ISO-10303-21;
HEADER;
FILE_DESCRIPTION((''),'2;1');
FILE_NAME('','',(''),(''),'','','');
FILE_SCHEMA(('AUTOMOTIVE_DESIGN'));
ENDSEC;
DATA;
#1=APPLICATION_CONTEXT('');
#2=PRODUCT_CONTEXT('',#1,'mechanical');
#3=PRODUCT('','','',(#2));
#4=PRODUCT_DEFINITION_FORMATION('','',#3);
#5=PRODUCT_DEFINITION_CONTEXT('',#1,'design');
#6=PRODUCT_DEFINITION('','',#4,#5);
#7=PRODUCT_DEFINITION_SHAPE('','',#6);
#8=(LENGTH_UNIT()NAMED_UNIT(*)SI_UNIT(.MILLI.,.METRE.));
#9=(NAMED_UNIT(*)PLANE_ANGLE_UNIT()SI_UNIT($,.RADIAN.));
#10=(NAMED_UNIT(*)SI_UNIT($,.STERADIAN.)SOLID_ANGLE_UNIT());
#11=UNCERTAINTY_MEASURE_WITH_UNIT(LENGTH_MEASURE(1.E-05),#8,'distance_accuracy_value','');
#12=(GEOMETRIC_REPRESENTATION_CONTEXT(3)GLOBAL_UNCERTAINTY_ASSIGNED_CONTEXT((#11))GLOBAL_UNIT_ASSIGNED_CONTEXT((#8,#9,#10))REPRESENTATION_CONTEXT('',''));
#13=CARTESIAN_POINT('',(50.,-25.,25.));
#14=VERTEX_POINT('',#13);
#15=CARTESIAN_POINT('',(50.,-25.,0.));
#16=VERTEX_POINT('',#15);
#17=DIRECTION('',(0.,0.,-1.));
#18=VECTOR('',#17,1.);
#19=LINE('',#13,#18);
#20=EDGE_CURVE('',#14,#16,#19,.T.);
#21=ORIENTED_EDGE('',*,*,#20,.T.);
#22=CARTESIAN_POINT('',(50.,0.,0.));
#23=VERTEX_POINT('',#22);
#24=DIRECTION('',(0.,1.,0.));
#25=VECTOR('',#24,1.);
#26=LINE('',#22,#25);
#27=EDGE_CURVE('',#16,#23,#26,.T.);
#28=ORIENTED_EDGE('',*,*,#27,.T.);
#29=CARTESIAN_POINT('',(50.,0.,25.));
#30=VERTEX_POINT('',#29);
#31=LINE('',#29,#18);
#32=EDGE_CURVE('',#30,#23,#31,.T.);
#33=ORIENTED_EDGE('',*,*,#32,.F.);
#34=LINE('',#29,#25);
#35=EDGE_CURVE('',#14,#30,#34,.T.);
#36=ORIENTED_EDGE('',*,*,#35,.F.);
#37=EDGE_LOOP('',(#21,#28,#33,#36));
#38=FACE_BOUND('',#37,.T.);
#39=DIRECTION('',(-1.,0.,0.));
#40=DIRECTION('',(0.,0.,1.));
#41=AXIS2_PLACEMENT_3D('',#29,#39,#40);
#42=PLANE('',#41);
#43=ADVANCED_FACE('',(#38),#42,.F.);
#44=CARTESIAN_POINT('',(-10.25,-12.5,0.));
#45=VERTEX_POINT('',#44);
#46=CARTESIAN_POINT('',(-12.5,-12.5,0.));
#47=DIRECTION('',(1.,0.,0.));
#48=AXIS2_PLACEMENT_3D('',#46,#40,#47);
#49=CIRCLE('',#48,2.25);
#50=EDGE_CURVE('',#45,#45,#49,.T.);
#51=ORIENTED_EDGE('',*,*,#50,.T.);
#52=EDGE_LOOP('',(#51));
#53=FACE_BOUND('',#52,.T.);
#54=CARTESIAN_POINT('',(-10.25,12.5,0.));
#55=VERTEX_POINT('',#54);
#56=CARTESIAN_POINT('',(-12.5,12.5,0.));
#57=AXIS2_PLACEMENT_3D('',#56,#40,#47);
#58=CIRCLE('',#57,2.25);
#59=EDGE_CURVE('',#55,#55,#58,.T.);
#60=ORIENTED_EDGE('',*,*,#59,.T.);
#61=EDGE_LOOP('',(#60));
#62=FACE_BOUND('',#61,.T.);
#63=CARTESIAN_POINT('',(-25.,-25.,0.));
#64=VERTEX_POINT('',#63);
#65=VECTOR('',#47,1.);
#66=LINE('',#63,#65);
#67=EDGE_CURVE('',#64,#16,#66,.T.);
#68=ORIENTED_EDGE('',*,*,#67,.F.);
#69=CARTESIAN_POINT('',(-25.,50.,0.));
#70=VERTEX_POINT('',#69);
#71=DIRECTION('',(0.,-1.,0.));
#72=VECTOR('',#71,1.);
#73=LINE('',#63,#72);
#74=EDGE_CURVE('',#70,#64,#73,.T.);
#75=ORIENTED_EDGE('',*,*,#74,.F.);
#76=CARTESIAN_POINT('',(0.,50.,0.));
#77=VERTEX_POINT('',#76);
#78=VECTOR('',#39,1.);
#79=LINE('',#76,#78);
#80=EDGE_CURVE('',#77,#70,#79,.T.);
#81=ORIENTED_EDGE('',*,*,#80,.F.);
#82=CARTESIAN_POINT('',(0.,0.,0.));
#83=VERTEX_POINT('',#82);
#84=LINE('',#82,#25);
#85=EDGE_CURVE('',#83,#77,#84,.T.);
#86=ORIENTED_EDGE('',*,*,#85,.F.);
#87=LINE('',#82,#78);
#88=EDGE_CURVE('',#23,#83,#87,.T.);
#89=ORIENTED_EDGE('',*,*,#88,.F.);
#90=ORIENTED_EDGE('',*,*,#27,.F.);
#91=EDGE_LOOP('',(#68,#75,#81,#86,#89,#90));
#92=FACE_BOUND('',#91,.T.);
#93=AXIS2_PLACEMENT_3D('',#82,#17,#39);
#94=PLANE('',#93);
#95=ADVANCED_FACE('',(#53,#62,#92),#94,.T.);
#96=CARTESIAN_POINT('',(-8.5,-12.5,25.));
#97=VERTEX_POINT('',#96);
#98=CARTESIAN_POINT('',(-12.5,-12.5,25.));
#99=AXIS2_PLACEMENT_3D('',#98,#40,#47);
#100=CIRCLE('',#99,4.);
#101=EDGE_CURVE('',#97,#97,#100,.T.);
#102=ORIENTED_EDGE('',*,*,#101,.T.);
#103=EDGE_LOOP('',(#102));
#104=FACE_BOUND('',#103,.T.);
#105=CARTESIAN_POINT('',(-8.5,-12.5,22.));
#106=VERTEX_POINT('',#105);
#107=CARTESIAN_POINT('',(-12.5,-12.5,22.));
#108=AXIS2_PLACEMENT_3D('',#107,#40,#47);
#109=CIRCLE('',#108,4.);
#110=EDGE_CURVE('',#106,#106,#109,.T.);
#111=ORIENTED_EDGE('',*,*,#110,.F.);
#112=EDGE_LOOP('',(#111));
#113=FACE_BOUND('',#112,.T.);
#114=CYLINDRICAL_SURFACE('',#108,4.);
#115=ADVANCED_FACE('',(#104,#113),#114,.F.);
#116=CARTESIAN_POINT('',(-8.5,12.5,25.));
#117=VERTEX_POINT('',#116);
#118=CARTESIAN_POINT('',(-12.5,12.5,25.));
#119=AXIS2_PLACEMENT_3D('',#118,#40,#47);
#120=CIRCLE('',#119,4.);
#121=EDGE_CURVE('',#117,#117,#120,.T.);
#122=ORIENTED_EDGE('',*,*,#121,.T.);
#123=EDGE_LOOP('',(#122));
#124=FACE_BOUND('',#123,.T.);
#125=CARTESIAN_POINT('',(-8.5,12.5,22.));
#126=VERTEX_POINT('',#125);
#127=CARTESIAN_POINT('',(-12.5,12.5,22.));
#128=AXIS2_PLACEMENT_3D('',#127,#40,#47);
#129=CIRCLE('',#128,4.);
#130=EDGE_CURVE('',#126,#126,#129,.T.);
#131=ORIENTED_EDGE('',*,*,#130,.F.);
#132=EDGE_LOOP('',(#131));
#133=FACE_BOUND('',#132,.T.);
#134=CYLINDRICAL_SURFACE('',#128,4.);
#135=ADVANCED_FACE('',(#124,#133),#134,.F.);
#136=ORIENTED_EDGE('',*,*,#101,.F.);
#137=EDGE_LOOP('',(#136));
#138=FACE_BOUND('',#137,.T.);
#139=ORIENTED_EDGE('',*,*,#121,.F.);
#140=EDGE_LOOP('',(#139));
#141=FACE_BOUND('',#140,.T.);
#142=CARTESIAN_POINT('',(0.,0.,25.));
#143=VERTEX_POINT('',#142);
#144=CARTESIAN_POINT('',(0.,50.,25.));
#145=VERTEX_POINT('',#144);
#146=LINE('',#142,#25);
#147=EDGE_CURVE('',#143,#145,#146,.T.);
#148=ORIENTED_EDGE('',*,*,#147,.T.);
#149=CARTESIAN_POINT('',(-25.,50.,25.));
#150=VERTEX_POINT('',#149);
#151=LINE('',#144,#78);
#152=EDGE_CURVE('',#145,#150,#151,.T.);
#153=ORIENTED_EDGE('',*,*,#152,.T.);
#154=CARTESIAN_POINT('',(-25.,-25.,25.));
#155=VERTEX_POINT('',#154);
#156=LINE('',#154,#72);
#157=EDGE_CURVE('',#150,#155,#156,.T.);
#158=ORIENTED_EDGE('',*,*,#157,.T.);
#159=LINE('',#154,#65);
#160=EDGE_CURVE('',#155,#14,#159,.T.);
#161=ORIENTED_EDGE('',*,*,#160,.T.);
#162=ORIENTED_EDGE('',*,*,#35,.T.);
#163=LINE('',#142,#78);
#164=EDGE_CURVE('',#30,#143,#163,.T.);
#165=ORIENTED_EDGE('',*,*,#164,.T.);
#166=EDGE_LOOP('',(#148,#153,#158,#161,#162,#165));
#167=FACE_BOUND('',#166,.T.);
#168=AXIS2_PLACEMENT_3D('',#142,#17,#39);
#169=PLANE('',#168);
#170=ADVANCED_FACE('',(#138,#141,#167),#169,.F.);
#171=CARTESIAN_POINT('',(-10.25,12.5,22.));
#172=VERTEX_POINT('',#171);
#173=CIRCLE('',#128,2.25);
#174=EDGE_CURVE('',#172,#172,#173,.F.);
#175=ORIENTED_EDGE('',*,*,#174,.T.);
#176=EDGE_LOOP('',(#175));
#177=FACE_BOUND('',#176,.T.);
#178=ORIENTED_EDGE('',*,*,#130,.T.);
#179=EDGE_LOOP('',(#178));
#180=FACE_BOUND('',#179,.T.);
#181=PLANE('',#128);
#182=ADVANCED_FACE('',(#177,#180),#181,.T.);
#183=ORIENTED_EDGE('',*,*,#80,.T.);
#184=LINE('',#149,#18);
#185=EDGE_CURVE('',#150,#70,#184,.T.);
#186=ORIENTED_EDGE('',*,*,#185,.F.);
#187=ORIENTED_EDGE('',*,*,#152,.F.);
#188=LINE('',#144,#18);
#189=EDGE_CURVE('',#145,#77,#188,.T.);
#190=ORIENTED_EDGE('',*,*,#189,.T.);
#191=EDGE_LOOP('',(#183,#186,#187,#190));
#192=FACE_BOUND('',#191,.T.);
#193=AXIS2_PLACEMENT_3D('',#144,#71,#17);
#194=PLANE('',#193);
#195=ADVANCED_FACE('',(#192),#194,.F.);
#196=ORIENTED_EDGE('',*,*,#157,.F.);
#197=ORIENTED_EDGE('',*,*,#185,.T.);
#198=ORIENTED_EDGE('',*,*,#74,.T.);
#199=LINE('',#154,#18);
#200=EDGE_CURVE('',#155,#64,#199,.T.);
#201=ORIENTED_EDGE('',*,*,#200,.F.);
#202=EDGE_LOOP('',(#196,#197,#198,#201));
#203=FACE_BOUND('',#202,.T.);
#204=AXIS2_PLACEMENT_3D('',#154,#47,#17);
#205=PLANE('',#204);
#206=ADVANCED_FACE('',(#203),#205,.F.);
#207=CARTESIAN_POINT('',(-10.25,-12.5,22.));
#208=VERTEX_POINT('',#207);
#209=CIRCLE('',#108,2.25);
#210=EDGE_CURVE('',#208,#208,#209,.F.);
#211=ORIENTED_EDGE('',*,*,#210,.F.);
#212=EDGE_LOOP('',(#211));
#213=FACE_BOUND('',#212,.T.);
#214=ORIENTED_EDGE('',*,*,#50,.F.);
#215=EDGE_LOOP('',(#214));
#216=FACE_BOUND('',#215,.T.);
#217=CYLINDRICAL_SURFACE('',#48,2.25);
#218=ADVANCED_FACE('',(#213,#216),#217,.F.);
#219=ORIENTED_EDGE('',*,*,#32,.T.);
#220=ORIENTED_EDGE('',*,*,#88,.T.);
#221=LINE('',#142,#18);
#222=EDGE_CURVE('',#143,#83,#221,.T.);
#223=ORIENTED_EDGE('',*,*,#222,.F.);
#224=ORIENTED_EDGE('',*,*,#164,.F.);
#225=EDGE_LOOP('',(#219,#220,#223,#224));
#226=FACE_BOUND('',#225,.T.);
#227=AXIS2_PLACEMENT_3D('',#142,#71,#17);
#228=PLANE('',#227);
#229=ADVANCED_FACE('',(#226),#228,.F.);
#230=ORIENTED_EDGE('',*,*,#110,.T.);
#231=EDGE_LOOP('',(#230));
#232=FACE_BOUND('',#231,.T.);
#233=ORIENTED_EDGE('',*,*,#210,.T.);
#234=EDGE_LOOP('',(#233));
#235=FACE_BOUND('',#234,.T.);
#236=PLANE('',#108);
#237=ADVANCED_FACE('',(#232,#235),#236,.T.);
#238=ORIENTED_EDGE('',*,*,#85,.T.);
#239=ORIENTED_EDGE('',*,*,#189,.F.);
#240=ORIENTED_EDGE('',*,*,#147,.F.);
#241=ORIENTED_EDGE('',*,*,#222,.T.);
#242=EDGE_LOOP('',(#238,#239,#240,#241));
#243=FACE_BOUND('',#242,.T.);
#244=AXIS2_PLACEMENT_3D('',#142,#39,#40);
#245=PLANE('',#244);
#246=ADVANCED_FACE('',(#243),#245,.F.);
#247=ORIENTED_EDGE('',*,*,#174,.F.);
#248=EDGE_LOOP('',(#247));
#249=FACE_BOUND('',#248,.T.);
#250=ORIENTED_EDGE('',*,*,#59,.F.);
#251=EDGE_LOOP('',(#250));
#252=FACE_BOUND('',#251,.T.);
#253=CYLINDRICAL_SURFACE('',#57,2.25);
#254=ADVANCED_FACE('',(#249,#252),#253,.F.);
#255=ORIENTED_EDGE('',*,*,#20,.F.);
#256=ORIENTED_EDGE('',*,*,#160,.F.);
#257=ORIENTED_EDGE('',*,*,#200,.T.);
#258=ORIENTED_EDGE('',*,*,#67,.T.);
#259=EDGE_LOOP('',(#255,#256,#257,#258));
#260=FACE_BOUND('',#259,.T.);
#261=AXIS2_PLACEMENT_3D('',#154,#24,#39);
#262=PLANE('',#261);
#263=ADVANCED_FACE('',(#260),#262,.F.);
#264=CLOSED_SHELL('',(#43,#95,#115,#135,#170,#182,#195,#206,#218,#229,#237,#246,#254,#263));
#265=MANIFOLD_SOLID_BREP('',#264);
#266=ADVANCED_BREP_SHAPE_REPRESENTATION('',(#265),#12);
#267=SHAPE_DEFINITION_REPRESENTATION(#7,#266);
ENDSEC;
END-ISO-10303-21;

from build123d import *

# Parameters (mm, degrees)
BOSS_EXTRUDE1_DEPTH = 25
SKETCH2_R           = 2.25
CUT_EXTRUDE1_DEPTH  = 25
SKETCH3_R           = 4
CUT_EXTRUDE2_DEPTH  = 3


with BuildPart() as part:
    # Sketch1 → Boss-Extrude1 (new body)
    with BuildSketch(Plane.XY):
        Polygon((-25, -25), (50, -25), (50, 0), (0, 0), (0, 50), (-25, 50), align=None)
    extrude(amount=BOSS_EXTRUDE1_DEPTH)

    # Sketch2 → Cut-Extrude1 (cut)
    with BuildSketch(Plane.XY.offset(25)):
        with Locations((-12.5, -12.5)):
            Circle(SKETCH2_R)
        with Locations((-12.5, 12.5)):
            Circle(SKETCH2_R)
    extrude(amount=-CUT_EXTRUDE1_DEPTH, mode=Mode.SUBTRACT)

    # Sketch3 → Cut-Extrude2 (cut)
    with BuildSketch(Plane.XY.offset(25)):
        with Locations((-12.5, 12.5)):
            Circle(SKETCH3_R)
        with Locations((-12.5, -12.5)):
            Circle(SKETCH3_R)
    extrude(amount=-CUT_EXTRUDE2_DEPTH, mode=Mode.SUBTRACT)


solid = part.part
